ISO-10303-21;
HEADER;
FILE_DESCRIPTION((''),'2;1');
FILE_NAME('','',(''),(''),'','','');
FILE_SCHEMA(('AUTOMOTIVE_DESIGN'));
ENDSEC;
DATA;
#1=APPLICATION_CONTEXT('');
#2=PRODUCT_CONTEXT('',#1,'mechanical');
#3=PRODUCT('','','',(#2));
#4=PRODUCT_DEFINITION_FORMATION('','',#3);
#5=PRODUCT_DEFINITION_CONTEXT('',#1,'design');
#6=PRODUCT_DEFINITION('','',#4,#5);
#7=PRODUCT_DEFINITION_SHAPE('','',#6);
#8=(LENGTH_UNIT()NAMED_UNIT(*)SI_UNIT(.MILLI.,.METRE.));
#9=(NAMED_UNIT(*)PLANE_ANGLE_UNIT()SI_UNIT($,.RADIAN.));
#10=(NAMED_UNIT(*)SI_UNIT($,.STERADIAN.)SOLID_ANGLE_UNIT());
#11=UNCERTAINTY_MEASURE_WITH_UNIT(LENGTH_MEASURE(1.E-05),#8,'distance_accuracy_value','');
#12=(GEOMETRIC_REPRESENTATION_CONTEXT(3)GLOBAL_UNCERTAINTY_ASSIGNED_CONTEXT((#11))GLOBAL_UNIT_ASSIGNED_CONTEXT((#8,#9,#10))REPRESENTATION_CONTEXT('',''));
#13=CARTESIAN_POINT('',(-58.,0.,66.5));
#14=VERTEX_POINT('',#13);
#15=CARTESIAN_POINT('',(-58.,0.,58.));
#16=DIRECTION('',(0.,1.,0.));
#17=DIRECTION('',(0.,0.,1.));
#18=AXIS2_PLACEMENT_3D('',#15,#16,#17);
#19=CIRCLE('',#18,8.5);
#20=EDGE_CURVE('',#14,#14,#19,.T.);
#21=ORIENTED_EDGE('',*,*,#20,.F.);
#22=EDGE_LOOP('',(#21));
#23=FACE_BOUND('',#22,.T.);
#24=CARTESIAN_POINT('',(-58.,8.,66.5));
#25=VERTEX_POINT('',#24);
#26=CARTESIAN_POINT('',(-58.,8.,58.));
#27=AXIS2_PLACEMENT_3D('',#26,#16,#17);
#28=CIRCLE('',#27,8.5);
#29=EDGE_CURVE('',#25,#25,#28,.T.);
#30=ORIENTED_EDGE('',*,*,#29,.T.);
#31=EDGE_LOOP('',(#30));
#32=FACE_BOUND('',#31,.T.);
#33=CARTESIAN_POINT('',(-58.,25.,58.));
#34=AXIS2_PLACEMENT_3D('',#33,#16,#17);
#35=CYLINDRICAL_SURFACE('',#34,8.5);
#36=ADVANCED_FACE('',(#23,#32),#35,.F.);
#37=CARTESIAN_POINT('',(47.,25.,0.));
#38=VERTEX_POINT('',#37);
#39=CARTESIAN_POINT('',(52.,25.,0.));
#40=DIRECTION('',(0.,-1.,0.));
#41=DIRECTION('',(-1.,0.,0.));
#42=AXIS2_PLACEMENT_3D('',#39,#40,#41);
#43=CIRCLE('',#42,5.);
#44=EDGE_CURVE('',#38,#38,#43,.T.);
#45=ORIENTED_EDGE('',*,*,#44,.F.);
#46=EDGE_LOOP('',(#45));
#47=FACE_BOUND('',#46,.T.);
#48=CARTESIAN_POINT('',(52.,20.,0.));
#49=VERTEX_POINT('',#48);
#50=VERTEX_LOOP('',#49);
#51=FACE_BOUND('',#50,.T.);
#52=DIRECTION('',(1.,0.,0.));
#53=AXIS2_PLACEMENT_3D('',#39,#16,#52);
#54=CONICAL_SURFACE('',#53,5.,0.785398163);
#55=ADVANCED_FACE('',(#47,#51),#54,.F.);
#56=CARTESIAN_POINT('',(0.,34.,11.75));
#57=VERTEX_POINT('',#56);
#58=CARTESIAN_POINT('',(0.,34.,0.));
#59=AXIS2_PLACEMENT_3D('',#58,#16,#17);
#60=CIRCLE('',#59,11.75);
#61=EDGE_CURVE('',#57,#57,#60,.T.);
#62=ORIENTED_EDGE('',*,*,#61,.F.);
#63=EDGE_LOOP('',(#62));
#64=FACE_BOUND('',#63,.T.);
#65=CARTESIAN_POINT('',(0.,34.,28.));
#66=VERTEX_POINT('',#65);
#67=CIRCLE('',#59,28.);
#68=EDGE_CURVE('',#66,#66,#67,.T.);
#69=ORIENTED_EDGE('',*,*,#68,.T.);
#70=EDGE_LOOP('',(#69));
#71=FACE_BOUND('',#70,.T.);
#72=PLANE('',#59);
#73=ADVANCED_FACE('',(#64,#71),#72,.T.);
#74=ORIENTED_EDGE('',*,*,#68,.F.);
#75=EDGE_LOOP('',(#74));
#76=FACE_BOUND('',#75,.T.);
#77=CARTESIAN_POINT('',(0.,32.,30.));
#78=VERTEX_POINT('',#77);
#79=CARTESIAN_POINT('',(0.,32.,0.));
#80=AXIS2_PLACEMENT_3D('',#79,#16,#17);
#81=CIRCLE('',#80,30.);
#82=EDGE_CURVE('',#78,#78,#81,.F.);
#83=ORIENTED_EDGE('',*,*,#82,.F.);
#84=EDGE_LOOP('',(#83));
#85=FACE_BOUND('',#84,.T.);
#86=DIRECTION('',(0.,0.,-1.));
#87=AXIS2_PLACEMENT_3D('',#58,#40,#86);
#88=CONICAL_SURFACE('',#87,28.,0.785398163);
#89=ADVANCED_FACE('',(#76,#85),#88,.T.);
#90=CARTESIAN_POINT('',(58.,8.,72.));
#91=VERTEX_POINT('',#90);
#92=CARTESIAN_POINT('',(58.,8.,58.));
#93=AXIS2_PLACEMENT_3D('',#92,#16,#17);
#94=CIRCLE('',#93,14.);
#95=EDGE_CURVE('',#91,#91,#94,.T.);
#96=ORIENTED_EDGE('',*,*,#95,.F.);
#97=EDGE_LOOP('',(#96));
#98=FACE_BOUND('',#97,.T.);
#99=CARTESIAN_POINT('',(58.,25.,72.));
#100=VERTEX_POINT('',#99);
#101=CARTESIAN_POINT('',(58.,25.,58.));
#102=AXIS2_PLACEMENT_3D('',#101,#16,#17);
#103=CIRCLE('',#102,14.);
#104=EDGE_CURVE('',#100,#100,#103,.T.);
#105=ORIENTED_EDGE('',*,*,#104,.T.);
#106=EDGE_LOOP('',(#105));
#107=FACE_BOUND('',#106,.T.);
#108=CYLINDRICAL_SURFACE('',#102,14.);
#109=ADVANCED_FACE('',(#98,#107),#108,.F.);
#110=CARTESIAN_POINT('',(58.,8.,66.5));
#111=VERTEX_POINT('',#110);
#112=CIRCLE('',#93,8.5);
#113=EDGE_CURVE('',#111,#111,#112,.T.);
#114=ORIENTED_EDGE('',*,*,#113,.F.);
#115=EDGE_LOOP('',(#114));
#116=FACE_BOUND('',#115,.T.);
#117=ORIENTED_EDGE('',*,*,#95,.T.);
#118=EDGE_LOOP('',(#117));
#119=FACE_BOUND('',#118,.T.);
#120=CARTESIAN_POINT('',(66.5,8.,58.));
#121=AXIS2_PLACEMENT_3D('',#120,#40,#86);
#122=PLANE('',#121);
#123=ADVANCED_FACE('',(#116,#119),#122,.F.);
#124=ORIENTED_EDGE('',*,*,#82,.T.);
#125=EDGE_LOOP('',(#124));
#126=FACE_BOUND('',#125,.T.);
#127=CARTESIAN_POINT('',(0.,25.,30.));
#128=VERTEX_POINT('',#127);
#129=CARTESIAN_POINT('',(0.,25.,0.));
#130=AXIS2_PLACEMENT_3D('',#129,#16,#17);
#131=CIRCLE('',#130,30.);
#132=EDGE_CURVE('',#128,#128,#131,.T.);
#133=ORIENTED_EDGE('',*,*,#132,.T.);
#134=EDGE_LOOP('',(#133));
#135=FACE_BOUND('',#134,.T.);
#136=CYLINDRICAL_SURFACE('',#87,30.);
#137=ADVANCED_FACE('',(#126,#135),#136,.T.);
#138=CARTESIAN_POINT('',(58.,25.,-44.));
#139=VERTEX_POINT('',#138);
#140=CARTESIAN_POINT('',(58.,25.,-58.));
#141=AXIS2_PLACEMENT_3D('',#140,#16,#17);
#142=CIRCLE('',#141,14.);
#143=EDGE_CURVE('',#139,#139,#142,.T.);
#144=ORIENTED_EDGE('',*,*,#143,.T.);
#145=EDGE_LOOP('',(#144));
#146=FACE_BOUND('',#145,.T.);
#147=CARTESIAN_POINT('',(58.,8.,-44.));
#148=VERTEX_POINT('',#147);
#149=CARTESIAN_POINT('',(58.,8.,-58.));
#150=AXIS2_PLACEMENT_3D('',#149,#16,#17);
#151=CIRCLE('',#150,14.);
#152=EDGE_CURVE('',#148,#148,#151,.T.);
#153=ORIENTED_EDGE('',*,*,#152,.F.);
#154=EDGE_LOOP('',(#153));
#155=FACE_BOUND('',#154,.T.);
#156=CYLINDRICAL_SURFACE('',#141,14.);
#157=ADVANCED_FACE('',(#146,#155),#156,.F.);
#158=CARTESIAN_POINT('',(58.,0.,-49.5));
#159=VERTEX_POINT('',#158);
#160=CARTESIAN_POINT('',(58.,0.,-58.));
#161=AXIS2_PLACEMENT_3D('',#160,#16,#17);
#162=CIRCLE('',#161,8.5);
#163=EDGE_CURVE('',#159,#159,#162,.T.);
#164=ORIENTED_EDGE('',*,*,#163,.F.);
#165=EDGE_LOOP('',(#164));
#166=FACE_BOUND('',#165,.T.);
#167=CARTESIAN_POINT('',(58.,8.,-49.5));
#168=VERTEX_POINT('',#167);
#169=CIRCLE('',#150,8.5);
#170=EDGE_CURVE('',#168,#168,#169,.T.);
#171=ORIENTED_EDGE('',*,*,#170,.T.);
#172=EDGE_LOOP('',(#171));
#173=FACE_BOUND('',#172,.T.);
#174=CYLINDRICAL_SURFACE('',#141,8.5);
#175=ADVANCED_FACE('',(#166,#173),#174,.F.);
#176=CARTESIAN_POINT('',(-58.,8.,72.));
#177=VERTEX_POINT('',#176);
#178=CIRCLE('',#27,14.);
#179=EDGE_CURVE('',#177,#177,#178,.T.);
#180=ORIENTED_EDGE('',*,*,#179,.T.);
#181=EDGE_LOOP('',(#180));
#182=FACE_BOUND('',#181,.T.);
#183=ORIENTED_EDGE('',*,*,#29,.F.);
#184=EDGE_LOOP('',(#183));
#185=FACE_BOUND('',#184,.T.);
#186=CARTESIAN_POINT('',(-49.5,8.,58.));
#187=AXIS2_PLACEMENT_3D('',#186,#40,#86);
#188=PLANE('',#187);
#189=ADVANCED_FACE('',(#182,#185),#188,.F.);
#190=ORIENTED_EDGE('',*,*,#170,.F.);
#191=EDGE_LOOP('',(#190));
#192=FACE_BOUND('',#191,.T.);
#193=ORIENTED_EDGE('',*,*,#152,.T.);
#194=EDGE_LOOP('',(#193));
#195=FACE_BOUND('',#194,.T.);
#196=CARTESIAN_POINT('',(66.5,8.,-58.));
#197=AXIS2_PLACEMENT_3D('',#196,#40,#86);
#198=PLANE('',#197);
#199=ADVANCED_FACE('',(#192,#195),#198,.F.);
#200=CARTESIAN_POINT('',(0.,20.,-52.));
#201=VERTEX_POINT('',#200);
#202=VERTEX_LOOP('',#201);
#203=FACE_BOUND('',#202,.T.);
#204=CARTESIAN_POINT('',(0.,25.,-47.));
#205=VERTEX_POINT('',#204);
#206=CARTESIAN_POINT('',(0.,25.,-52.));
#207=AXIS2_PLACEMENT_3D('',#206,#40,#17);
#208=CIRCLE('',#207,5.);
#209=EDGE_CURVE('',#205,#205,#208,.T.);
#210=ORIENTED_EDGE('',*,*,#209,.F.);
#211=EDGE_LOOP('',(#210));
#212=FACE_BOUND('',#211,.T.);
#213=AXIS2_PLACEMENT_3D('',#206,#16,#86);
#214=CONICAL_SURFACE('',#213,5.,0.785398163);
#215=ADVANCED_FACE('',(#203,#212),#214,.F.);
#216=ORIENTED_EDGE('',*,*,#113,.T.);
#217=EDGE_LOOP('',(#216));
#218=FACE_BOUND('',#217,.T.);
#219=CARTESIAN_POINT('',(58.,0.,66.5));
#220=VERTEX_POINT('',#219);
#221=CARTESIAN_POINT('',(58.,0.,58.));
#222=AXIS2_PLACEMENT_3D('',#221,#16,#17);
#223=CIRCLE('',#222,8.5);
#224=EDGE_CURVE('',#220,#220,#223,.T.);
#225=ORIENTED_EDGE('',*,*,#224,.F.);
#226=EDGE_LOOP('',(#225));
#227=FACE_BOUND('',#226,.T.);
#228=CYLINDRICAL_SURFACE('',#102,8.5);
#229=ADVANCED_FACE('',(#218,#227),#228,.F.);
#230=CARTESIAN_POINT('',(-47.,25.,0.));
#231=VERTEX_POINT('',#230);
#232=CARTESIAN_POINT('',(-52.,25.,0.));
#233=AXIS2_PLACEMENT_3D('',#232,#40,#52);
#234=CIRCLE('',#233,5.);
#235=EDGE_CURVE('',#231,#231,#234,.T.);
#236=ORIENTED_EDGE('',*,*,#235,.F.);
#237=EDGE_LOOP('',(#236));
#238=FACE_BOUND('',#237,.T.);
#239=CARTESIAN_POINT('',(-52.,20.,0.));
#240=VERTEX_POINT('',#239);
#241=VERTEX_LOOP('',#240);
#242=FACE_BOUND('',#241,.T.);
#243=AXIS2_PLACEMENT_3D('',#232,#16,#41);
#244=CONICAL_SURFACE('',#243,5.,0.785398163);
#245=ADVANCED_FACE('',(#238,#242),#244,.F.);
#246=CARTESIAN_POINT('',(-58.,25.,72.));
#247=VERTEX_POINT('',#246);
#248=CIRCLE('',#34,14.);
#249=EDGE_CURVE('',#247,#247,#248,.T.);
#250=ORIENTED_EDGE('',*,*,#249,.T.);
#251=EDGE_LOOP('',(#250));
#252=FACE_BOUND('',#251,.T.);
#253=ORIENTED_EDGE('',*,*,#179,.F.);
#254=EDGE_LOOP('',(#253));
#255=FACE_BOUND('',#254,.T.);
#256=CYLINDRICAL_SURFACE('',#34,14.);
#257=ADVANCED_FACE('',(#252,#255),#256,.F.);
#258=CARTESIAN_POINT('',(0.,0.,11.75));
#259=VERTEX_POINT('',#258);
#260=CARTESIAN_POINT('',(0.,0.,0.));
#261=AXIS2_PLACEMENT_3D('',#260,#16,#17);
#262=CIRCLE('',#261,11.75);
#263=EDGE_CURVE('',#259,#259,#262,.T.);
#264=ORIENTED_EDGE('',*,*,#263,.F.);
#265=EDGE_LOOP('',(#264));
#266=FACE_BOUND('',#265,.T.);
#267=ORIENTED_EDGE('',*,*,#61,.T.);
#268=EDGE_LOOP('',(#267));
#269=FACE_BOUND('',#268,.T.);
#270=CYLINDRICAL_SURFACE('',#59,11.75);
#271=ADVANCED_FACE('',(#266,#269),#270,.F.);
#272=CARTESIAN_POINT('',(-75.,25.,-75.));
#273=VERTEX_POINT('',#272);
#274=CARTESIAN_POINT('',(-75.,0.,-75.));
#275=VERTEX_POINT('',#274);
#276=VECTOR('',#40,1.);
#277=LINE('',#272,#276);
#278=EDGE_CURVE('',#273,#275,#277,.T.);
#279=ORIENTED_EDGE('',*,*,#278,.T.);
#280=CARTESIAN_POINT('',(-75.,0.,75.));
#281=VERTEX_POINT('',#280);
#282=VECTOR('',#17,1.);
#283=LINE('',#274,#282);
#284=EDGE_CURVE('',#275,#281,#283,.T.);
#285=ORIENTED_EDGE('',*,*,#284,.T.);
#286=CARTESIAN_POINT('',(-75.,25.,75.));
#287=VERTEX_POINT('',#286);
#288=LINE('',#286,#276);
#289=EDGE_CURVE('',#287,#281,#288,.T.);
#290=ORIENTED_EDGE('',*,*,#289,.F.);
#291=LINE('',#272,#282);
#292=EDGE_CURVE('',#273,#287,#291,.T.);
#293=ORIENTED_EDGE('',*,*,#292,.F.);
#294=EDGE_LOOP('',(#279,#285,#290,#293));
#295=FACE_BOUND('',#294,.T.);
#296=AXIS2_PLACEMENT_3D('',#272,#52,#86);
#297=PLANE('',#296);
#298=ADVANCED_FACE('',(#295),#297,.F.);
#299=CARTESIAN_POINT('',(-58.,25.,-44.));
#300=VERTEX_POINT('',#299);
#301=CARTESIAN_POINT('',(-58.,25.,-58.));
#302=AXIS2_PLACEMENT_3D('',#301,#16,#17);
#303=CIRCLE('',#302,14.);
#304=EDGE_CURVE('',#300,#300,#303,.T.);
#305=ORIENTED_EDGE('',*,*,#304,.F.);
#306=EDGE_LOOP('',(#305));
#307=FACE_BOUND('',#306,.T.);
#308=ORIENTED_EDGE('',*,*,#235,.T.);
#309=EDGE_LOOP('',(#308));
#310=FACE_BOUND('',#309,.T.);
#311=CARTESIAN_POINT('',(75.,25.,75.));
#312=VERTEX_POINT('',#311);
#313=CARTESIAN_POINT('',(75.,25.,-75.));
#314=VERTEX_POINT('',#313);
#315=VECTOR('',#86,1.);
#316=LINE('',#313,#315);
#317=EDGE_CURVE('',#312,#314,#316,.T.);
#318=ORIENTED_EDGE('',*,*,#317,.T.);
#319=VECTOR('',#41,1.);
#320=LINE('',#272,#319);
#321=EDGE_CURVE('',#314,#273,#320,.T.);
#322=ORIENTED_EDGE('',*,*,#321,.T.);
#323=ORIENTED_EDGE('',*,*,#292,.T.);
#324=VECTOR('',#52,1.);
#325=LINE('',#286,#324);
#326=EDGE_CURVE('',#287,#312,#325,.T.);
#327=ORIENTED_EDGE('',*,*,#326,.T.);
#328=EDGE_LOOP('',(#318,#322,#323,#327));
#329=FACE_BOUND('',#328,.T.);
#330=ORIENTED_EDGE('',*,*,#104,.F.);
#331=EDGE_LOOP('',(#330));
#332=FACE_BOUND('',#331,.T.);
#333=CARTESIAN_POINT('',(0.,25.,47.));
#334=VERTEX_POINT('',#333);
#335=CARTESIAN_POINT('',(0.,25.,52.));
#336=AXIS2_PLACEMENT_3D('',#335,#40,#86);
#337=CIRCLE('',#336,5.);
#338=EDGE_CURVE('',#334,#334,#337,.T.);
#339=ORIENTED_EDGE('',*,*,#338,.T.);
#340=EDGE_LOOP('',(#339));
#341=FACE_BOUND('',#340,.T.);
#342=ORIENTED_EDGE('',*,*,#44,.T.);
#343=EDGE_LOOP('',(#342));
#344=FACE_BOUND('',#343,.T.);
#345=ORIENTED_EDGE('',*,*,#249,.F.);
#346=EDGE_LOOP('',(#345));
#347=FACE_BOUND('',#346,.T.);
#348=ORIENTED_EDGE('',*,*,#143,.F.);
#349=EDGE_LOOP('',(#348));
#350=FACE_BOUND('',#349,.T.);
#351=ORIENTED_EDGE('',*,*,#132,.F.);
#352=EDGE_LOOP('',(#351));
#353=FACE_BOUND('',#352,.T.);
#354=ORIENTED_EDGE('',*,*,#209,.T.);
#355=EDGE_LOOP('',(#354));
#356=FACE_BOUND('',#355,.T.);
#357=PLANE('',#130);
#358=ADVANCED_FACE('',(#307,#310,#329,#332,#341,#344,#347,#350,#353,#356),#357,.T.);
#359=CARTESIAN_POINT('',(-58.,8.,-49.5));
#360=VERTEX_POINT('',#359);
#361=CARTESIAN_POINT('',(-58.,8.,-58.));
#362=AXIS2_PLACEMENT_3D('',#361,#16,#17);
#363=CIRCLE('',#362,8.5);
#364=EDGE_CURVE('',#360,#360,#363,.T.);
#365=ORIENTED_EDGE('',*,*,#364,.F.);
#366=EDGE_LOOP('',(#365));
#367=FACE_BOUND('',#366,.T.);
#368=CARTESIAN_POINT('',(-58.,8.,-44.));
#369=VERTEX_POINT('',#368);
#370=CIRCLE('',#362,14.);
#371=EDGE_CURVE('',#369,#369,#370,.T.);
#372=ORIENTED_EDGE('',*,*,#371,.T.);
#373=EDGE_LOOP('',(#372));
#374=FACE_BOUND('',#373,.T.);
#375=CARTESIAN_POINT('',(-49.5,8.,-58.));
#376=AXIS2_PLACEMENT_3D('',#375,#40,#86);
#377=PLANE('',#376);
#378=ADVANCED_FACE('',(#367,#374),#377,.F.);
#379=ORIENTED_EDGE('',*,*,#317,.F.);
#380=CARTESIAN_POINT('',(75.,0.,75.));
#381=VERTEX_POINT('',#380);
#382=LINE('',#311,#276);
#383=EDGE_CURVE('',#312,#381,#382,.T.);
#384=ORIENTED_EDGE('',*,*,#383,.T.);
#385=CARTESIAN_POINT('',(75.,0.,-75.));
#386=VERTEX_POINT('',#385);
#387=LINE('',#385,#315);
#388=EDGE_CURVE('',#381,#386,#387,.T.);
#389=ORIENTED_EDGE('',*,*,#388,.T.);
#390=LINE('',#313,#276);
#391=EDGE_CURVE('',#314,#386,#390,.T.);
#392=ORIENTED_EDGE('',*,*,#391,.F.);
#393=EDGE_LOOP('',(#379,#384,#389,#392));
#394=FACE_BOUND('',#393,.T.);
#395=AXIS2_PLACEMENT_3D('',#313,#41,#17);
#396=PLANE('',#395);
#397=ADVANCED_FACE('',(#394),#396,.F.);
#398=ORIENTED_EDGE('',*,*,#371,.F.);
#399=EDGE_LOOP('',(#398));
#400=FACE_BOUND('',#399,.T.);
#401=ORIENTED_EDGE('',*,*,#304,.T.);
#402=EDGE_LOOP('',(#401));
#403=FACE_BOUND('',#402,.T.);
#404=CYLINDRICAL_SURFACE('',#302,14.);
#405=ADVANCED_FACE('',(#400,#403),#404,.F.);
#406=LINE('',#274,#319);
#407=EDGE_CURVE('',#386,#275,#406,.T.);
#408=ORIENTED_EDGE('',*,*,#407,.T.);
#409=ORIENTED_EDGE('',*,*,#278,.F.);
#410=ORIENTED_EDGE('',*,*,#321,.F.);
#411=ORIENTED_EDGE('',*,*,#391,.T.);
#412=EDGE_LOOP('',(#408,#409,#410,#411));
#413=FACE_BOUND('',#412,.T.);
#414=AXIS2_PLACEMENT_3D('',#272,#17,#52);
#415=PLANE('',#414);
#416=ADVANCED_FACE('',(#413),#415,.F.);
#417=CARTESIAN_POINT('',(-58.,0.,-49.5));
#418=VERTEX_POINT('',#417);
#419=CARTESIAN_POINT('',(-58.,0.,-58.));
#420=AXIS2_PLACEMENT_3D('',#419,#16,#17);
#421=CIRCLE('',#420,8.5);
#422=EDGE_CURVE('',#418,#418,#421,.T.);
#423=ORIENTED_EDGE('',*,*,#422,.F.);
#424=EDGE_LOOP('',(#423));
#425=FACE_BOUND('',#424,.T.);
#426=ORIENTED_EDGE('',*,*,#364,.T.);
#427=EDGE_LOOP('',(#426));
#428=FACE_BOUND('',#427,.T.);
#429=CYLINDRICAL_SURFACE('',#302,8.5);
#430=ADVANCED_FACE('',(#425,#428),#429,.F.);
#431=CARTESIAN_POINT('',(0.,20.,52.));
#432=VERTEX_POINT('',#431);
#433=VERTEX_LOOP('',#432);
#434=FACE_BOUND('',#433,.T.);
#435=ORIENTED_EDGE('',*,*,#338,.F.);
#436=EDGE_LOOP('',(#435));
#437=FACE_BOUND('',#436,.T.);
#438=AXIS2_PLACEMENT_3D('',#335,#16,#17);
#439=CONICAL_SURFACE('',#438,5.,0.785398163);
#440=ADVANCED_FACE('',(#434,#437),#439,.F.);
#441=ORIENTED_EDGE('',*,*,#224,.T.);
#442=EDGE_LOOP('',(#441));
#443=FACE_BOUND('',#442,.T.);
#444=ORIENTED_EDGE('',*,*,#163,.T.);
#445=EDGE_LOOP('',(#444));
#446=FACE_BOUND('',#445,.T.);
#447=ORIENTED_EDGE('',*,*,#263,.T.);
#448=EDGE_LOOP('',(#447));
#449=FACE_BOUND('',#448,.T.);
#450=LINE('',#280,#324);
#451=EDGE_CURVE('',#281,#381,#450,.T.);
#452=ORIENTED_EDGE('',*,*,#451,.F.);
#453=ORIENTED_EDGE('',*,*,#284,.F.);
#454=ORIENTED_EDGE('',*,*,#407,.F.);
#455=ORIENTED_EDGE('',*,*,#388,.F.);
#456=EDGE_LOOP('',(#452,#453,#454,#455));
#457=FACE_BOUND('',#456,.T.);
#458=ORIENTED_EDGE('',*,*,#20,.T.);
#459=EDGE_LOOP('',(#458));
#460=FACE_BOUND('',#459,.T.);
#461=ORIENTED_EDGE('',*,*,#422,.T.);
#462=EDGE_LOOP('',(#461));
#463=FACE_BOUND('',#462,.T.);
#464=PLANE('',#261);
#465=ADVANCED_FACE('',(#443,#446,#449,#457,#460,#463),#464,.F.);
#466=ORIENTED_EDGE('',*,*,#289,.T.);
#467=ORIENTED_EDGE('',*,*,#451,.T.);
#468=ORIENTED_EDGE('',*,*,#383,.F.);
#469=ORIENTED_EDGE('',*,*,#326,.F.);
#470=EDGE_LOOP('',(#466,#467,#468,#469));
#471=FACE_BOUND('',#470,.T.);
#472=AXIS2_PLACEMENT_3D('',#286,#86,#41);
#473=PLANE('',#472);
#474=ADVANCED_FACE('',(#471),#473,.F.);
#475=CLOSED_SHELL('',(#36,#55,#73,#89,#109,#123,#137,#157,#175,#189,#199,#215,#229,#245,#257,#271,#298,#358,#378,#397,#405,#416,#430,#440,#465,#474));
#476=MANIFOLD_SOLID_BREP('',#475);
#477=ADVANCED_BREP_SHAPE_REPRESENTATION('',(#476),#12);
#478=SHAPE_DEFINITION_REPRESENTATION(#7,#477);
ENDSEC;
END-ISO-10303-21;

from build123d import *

# Parameters (mm, degrees)
SKETCH2_W              = 150
SKETCH2_H              = 150
BOSS_EXTRUDE1_DEPTH    = 25
SKETCH3_R              = 30
BOSS_EXTRUDE2_DEPTH    = 9
CHAMFER1_SIZE          = 2
HOLE1_D                = 17
HOLE1_CBORE_D          = 28
HOLE1_CBORE_DEPTH      = 17
M25X1_5_TAPPED_HOLE1_D = 23.5
CIRPATTERN1_COUNT      = 4


with BuildPart() as part:
    # Sketch2 → Boss-Extrude1 (new body)
    with BuildSketch(Plane(origin=(0, 0, 0), x_dir=(1, 0, 0), z_dir=(0, 1, 0))):
        Rectangle(SKETCH2_W, SKETCH2_H)
    extrude(amount=BOSS_EXTRUDE1_DEPTH)

    # Sketch3 → Boss-Extrude2 (add)
    with BuildSketch(Plane(origin=(0, 25, 0), x_dir=(1, 0, 0), z_dir=(0, 1, 0))):
        with Locations(Location((0, 0, 0), (0, 0, 270))):
            Circle(SKETCH3_R)
    extrude(amount=BOSS_EXTRUDE2_DEPTH)

    # Chamfer1
    chamfer1_edges = [part.edges().sort_by_distance(p)[0] for p in [
        (0, 34, -30),
    ]]
    chamfer(chamfer1_edges, length=CHAMFER1_SIZE)

    # Hole1 (through all)
    with Locations(Plane(origin=(0, 25, 0), x_dir=(1, 0, 0), z_dir=(0, 1, 0))):
        with Locations((-58, 58), (58, 58), (58, -58), (-58, -58)):
            CounterBoreHole(HOLE1_D / 2, HOLE1_CBORE_D / 2, HOLE1_CBORE_DEPTH)

    # Sketch13 → Cut-Revolve1 (revolve, cut)
    with BuildSketch(Plane.XY):
        Polygon((-57, 25), (-52, 20), (-52, 25), align=None)
    cut_revolve1 = revolve(axis=Axis((-52, 20, 0), (0, 1, 0)), mode=Mode.SUBTRACT)

    # M25x1.5 Tapped Hole1 (through all)
    with Locations(Plane.ZX.offset(34)):
        with Locations((0, 0)):
            Hole(M25X1_5_TAPPED_HOLE1_D / 2)

    # CirPattern1: Cut-Revolve1 ×4 about axis
    cirpattern1_axis = Axis((0, 0, 0), (0, 1, 0))
    for i in range(1, CIRPATTERN1_COUNT):
        add(cut_revolve1.rotate(cirpattern1_axis, i * 360 / CIRPATTERN1_COUNT), mode=Mode.SUBTRACT)


solid = part.part
